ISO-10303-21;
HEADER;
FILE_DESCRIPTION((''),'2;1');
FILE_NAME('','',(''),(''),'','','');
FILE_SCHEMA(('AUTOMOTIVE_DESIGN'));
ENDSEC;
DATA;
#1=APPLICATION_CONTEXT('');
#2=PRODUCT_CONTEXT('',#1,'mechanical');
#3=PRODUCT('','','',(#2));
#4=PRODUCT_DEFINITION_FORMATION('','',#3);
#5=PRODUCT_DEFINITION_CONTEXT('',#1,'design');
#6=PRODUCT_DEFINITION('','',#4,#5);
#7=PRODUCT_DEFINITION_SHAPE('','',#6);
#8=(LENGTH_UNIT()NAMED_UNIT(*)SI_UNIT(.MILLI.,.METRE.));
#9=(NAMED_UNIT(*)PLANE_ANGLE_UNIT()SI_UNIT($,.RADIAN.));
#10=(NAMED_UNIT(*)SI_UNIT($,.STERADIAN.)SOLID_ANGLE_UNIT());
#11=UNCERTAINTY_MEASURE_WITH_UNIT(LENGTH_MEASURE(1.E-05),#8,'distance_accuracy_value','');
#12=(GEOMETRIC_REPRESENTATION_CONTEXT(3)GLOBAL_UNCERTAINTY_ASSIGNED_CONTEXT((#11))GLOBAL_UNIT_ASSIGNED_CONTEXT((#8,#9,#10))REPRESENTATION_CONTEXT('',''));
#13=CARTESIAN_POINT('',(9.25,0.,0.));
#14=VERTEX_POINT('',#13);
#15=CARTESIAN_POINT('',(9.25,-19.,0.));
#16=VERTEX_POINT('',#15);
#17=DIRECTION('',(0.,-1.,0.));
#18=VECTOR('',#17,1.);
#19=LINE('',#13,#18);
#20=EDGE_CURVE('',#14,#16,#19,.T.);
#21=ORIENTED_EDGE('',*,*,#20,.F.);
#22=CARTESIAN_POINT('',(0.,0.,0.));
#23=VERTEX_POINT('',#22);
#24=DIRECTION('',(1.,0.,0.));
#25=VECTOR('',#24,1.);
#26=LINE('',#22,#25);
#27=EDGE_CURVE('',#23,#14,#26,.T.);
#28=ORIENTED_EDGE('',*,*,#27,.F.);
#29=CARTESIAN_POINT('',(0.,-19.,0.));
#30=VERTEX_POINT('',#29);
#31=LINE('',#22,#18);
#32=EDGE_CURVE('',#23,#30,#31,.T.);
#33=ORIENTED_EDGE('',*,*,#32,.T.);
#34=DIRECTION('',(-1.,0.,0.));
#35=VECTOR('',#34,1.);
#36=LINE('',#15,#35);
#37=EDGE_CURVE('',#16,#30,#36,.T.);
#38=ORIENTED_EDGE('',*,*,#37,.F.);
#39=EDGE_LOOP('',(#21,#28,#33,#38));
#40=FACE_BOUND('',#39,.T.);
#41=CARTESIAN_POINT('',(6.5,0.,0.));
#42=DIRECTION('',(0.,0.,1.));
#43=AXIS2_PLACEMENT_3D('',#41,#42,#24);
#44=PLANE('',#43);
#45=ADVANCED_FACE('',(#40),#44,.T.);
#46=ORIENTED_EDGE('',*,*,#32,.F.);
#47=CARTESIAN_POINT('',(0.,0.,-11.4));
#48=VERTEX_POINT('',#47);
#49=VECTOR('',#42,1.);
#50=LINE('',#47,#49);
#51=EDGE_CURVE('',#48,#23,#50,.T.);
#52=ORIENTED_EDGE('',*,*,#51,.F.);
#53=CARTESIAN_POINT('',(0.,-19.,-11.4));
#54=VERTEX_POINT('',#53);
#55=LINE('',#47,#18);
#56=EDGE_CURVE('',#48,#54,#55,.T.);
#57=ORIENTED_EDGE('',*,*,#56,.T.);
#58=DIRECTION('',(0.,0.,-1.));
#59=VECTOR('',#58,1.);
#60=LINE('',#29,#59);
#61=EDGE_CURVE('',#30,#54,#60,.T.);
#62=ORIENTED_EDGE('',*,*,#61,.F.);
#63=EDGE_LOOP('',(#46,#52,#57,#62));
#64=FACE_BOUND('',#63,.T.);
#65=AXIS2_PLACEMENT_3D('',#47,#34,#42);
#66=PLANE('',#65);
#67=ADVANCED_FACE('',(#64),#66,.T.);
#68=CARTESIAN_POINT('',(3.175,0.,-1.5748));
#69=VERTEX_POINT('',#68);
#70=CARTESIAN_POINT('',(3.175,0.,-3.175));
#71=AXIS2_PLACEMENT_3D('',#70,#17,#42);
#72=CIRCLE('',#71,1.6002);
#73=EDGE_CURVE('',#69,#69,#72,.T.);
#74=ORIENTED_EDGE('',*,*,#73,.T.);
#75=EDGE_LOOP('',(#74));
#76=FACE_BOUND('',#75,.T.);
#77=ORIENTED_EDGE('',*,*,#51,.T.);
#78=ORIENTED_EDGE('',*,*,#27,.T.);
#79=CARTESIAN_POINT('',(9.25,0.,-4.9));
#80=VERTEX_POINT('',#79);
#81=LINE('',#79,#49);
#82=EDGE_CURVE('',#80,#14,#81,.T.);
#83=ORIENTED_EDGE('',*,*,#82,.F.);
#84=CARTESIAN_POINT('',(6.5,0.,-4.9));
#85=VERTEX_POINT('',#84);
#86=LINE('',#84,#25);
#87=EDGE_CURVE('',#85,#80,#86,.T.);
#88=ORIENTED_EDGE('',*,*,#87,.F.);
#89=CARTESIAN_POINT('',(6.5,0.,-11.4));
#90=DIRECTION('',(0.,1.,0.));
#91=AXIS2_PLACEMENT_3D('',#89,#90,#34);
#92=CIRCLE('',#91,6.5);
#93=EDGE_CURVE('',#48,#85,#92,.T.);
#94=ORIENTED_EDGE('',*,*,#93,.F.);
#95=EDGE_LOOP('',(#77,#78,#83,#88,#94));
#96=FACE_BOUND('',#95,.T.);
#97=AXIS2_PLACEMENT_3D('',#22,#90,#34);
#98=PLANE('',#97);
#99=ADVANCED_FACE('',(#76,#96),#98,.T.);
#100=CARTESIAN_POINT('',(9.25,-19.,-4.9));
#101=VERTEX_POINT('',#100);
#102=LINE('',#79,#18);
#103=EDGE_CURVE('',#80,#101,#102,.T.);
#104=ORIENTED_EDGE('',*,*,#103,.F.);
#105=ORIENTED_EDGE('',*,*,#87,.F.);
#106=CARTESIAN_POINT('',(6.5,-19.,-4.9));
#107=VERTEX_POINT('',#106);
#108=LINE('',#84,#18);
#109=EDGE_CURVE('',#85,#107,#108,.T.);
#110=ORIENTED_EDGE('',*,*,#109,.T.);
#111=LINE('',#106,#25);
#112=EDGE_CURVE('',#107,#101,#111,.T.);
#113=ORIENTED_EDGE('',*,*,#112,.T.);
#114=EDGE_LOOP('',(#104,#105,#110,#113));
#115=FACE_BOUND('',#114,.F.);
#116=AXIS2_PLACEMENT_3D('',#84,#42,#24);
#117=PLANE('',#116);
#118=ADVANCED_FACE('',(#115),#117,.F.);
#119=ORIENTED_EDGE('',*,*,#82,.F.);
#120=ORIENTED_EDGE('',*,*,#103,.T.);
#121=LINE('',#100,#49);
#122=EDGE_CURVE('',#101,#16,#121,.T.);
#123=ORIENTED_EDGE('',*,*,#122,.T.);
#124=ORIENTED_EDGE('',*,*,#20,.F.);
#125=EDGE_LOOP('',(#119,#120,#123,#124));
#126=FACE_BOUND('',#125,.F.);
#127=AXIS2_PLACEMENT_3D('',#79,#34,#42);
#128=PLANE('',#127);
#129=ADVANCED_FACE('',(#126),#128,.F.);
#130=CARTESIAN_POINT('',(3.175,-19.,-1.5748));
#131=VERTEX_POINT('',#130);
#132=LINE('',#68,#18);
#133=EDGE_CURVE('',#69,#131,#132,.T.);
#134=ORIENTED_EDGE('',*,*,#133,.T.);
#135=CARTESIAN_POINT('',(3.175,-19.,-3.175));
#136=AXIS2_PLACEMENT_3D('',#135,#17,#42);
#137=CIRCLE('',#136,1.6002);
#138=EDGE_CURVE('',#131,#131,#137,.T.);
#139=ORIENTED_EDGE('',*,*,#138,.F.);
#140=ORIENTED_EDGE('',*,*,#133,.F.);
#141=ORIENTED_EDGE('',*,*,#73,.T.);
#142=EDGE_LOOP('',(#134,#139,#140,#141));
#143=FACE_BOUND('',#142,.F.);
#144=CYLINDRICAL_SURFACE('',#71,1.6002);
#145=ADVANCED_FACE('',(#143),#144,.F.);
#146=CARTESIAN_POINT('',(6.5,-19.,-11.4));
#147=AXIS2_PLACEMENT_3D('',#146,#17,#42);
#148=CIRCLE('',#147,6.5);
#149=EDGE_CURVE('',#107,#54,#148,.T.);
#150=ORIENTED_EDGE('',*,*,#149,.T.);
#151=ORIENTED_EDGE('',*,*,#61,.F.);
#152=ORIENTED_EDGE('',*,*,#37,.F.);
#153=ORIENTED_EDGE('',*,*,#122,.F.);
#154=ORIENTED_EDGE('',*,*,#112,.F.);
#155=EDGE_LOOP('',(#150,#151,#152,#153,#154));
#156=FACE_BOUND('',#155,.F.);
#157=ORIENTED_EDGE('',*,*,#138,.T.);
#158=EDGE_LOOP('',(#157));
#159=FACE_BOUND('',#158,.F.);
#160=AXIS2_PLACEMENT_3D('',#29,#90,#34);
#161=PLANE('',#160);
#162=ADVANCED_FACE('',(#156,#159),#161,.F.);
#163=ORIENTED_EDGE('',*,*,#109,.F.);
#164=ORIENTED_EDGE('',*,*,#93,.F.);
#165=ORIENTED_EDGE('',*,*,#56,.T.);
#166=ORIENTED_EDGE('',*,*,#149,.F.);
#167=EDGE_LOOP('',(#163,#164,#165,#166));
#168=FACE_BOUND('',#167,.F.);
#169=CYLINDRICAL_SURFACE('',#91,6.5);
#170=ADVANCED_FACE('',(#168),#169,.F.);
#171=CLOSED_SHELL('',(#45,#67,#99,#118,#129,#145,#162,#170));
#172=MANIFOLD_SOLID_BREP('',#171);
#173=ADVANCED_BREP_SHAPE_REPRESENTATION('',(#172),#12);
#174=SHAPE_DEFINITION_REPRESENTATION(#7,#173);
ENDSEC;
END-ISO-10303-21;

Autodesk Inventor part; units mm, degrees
ref_plane "YZ Plane" through (0, 0, 0) normal (1, 0, 0) x (0, 1, 0)
ref_plane "XZ Plane" through (0, 0, 0) normal (0, 1, 0) x (-1, 0, 0)
ref_plane "XY Plane" through (0, 0, 0) normal (0, 0, 1) x (1, 0, 0)
sketch "Base" plane through (0, 0, 0) normal (0, 1, 0) x (-1, 0, 0)
  line L0 (0, 0) -> (-12, 0)
  line L1 (-12, 0) -> (-12, -11.4)
  line L2 (-12, -11.4) -> (0, -11.4) construction
  line L3 (0, -11.4) -> (0, 0)
  circle A0 centre (-3.175, -3.175) radius 3.175
  circle A1 centre (-6.5, -11.4) radius 6.5
  line L4 (-6.5, -4.9) -> (-6.5, 0)
  line L5 (-6.5, -4.9) -> (-12, -4.9)
  line L6 (-9.25, -4.9) -> (-9.25, 0)
  point P0 (0, 0)
  point P1 (-12, -7.9359)
  dimension "d24" = 13
  dimension "d21" = 12
  dimension "d22" = 11.4
  dimension "d23" = 6.35
  dimension "d26" = 5.5
  dimension "d36" = 5.5
extrude "Stock" add sketch "Base" against normal blind 19 contours L4 L5 L6 L0 | L0 A0 A1 L4 | L0 L3 A0 | A0 A1 | L3 A1 A0 picked at (-3.3154, -3.7047)
hole "3mm Hole" at (3.175, 0, -3.175) direction (0, -1, 0) diameter 3.2004 end through all clearance for "Socket Head Cap Screw" size "M3" standard "Ansi Metric M Profile"
equation "\"d36\" = d26"
properties part number "Joint Spacer" material "Aluminum 6061"
